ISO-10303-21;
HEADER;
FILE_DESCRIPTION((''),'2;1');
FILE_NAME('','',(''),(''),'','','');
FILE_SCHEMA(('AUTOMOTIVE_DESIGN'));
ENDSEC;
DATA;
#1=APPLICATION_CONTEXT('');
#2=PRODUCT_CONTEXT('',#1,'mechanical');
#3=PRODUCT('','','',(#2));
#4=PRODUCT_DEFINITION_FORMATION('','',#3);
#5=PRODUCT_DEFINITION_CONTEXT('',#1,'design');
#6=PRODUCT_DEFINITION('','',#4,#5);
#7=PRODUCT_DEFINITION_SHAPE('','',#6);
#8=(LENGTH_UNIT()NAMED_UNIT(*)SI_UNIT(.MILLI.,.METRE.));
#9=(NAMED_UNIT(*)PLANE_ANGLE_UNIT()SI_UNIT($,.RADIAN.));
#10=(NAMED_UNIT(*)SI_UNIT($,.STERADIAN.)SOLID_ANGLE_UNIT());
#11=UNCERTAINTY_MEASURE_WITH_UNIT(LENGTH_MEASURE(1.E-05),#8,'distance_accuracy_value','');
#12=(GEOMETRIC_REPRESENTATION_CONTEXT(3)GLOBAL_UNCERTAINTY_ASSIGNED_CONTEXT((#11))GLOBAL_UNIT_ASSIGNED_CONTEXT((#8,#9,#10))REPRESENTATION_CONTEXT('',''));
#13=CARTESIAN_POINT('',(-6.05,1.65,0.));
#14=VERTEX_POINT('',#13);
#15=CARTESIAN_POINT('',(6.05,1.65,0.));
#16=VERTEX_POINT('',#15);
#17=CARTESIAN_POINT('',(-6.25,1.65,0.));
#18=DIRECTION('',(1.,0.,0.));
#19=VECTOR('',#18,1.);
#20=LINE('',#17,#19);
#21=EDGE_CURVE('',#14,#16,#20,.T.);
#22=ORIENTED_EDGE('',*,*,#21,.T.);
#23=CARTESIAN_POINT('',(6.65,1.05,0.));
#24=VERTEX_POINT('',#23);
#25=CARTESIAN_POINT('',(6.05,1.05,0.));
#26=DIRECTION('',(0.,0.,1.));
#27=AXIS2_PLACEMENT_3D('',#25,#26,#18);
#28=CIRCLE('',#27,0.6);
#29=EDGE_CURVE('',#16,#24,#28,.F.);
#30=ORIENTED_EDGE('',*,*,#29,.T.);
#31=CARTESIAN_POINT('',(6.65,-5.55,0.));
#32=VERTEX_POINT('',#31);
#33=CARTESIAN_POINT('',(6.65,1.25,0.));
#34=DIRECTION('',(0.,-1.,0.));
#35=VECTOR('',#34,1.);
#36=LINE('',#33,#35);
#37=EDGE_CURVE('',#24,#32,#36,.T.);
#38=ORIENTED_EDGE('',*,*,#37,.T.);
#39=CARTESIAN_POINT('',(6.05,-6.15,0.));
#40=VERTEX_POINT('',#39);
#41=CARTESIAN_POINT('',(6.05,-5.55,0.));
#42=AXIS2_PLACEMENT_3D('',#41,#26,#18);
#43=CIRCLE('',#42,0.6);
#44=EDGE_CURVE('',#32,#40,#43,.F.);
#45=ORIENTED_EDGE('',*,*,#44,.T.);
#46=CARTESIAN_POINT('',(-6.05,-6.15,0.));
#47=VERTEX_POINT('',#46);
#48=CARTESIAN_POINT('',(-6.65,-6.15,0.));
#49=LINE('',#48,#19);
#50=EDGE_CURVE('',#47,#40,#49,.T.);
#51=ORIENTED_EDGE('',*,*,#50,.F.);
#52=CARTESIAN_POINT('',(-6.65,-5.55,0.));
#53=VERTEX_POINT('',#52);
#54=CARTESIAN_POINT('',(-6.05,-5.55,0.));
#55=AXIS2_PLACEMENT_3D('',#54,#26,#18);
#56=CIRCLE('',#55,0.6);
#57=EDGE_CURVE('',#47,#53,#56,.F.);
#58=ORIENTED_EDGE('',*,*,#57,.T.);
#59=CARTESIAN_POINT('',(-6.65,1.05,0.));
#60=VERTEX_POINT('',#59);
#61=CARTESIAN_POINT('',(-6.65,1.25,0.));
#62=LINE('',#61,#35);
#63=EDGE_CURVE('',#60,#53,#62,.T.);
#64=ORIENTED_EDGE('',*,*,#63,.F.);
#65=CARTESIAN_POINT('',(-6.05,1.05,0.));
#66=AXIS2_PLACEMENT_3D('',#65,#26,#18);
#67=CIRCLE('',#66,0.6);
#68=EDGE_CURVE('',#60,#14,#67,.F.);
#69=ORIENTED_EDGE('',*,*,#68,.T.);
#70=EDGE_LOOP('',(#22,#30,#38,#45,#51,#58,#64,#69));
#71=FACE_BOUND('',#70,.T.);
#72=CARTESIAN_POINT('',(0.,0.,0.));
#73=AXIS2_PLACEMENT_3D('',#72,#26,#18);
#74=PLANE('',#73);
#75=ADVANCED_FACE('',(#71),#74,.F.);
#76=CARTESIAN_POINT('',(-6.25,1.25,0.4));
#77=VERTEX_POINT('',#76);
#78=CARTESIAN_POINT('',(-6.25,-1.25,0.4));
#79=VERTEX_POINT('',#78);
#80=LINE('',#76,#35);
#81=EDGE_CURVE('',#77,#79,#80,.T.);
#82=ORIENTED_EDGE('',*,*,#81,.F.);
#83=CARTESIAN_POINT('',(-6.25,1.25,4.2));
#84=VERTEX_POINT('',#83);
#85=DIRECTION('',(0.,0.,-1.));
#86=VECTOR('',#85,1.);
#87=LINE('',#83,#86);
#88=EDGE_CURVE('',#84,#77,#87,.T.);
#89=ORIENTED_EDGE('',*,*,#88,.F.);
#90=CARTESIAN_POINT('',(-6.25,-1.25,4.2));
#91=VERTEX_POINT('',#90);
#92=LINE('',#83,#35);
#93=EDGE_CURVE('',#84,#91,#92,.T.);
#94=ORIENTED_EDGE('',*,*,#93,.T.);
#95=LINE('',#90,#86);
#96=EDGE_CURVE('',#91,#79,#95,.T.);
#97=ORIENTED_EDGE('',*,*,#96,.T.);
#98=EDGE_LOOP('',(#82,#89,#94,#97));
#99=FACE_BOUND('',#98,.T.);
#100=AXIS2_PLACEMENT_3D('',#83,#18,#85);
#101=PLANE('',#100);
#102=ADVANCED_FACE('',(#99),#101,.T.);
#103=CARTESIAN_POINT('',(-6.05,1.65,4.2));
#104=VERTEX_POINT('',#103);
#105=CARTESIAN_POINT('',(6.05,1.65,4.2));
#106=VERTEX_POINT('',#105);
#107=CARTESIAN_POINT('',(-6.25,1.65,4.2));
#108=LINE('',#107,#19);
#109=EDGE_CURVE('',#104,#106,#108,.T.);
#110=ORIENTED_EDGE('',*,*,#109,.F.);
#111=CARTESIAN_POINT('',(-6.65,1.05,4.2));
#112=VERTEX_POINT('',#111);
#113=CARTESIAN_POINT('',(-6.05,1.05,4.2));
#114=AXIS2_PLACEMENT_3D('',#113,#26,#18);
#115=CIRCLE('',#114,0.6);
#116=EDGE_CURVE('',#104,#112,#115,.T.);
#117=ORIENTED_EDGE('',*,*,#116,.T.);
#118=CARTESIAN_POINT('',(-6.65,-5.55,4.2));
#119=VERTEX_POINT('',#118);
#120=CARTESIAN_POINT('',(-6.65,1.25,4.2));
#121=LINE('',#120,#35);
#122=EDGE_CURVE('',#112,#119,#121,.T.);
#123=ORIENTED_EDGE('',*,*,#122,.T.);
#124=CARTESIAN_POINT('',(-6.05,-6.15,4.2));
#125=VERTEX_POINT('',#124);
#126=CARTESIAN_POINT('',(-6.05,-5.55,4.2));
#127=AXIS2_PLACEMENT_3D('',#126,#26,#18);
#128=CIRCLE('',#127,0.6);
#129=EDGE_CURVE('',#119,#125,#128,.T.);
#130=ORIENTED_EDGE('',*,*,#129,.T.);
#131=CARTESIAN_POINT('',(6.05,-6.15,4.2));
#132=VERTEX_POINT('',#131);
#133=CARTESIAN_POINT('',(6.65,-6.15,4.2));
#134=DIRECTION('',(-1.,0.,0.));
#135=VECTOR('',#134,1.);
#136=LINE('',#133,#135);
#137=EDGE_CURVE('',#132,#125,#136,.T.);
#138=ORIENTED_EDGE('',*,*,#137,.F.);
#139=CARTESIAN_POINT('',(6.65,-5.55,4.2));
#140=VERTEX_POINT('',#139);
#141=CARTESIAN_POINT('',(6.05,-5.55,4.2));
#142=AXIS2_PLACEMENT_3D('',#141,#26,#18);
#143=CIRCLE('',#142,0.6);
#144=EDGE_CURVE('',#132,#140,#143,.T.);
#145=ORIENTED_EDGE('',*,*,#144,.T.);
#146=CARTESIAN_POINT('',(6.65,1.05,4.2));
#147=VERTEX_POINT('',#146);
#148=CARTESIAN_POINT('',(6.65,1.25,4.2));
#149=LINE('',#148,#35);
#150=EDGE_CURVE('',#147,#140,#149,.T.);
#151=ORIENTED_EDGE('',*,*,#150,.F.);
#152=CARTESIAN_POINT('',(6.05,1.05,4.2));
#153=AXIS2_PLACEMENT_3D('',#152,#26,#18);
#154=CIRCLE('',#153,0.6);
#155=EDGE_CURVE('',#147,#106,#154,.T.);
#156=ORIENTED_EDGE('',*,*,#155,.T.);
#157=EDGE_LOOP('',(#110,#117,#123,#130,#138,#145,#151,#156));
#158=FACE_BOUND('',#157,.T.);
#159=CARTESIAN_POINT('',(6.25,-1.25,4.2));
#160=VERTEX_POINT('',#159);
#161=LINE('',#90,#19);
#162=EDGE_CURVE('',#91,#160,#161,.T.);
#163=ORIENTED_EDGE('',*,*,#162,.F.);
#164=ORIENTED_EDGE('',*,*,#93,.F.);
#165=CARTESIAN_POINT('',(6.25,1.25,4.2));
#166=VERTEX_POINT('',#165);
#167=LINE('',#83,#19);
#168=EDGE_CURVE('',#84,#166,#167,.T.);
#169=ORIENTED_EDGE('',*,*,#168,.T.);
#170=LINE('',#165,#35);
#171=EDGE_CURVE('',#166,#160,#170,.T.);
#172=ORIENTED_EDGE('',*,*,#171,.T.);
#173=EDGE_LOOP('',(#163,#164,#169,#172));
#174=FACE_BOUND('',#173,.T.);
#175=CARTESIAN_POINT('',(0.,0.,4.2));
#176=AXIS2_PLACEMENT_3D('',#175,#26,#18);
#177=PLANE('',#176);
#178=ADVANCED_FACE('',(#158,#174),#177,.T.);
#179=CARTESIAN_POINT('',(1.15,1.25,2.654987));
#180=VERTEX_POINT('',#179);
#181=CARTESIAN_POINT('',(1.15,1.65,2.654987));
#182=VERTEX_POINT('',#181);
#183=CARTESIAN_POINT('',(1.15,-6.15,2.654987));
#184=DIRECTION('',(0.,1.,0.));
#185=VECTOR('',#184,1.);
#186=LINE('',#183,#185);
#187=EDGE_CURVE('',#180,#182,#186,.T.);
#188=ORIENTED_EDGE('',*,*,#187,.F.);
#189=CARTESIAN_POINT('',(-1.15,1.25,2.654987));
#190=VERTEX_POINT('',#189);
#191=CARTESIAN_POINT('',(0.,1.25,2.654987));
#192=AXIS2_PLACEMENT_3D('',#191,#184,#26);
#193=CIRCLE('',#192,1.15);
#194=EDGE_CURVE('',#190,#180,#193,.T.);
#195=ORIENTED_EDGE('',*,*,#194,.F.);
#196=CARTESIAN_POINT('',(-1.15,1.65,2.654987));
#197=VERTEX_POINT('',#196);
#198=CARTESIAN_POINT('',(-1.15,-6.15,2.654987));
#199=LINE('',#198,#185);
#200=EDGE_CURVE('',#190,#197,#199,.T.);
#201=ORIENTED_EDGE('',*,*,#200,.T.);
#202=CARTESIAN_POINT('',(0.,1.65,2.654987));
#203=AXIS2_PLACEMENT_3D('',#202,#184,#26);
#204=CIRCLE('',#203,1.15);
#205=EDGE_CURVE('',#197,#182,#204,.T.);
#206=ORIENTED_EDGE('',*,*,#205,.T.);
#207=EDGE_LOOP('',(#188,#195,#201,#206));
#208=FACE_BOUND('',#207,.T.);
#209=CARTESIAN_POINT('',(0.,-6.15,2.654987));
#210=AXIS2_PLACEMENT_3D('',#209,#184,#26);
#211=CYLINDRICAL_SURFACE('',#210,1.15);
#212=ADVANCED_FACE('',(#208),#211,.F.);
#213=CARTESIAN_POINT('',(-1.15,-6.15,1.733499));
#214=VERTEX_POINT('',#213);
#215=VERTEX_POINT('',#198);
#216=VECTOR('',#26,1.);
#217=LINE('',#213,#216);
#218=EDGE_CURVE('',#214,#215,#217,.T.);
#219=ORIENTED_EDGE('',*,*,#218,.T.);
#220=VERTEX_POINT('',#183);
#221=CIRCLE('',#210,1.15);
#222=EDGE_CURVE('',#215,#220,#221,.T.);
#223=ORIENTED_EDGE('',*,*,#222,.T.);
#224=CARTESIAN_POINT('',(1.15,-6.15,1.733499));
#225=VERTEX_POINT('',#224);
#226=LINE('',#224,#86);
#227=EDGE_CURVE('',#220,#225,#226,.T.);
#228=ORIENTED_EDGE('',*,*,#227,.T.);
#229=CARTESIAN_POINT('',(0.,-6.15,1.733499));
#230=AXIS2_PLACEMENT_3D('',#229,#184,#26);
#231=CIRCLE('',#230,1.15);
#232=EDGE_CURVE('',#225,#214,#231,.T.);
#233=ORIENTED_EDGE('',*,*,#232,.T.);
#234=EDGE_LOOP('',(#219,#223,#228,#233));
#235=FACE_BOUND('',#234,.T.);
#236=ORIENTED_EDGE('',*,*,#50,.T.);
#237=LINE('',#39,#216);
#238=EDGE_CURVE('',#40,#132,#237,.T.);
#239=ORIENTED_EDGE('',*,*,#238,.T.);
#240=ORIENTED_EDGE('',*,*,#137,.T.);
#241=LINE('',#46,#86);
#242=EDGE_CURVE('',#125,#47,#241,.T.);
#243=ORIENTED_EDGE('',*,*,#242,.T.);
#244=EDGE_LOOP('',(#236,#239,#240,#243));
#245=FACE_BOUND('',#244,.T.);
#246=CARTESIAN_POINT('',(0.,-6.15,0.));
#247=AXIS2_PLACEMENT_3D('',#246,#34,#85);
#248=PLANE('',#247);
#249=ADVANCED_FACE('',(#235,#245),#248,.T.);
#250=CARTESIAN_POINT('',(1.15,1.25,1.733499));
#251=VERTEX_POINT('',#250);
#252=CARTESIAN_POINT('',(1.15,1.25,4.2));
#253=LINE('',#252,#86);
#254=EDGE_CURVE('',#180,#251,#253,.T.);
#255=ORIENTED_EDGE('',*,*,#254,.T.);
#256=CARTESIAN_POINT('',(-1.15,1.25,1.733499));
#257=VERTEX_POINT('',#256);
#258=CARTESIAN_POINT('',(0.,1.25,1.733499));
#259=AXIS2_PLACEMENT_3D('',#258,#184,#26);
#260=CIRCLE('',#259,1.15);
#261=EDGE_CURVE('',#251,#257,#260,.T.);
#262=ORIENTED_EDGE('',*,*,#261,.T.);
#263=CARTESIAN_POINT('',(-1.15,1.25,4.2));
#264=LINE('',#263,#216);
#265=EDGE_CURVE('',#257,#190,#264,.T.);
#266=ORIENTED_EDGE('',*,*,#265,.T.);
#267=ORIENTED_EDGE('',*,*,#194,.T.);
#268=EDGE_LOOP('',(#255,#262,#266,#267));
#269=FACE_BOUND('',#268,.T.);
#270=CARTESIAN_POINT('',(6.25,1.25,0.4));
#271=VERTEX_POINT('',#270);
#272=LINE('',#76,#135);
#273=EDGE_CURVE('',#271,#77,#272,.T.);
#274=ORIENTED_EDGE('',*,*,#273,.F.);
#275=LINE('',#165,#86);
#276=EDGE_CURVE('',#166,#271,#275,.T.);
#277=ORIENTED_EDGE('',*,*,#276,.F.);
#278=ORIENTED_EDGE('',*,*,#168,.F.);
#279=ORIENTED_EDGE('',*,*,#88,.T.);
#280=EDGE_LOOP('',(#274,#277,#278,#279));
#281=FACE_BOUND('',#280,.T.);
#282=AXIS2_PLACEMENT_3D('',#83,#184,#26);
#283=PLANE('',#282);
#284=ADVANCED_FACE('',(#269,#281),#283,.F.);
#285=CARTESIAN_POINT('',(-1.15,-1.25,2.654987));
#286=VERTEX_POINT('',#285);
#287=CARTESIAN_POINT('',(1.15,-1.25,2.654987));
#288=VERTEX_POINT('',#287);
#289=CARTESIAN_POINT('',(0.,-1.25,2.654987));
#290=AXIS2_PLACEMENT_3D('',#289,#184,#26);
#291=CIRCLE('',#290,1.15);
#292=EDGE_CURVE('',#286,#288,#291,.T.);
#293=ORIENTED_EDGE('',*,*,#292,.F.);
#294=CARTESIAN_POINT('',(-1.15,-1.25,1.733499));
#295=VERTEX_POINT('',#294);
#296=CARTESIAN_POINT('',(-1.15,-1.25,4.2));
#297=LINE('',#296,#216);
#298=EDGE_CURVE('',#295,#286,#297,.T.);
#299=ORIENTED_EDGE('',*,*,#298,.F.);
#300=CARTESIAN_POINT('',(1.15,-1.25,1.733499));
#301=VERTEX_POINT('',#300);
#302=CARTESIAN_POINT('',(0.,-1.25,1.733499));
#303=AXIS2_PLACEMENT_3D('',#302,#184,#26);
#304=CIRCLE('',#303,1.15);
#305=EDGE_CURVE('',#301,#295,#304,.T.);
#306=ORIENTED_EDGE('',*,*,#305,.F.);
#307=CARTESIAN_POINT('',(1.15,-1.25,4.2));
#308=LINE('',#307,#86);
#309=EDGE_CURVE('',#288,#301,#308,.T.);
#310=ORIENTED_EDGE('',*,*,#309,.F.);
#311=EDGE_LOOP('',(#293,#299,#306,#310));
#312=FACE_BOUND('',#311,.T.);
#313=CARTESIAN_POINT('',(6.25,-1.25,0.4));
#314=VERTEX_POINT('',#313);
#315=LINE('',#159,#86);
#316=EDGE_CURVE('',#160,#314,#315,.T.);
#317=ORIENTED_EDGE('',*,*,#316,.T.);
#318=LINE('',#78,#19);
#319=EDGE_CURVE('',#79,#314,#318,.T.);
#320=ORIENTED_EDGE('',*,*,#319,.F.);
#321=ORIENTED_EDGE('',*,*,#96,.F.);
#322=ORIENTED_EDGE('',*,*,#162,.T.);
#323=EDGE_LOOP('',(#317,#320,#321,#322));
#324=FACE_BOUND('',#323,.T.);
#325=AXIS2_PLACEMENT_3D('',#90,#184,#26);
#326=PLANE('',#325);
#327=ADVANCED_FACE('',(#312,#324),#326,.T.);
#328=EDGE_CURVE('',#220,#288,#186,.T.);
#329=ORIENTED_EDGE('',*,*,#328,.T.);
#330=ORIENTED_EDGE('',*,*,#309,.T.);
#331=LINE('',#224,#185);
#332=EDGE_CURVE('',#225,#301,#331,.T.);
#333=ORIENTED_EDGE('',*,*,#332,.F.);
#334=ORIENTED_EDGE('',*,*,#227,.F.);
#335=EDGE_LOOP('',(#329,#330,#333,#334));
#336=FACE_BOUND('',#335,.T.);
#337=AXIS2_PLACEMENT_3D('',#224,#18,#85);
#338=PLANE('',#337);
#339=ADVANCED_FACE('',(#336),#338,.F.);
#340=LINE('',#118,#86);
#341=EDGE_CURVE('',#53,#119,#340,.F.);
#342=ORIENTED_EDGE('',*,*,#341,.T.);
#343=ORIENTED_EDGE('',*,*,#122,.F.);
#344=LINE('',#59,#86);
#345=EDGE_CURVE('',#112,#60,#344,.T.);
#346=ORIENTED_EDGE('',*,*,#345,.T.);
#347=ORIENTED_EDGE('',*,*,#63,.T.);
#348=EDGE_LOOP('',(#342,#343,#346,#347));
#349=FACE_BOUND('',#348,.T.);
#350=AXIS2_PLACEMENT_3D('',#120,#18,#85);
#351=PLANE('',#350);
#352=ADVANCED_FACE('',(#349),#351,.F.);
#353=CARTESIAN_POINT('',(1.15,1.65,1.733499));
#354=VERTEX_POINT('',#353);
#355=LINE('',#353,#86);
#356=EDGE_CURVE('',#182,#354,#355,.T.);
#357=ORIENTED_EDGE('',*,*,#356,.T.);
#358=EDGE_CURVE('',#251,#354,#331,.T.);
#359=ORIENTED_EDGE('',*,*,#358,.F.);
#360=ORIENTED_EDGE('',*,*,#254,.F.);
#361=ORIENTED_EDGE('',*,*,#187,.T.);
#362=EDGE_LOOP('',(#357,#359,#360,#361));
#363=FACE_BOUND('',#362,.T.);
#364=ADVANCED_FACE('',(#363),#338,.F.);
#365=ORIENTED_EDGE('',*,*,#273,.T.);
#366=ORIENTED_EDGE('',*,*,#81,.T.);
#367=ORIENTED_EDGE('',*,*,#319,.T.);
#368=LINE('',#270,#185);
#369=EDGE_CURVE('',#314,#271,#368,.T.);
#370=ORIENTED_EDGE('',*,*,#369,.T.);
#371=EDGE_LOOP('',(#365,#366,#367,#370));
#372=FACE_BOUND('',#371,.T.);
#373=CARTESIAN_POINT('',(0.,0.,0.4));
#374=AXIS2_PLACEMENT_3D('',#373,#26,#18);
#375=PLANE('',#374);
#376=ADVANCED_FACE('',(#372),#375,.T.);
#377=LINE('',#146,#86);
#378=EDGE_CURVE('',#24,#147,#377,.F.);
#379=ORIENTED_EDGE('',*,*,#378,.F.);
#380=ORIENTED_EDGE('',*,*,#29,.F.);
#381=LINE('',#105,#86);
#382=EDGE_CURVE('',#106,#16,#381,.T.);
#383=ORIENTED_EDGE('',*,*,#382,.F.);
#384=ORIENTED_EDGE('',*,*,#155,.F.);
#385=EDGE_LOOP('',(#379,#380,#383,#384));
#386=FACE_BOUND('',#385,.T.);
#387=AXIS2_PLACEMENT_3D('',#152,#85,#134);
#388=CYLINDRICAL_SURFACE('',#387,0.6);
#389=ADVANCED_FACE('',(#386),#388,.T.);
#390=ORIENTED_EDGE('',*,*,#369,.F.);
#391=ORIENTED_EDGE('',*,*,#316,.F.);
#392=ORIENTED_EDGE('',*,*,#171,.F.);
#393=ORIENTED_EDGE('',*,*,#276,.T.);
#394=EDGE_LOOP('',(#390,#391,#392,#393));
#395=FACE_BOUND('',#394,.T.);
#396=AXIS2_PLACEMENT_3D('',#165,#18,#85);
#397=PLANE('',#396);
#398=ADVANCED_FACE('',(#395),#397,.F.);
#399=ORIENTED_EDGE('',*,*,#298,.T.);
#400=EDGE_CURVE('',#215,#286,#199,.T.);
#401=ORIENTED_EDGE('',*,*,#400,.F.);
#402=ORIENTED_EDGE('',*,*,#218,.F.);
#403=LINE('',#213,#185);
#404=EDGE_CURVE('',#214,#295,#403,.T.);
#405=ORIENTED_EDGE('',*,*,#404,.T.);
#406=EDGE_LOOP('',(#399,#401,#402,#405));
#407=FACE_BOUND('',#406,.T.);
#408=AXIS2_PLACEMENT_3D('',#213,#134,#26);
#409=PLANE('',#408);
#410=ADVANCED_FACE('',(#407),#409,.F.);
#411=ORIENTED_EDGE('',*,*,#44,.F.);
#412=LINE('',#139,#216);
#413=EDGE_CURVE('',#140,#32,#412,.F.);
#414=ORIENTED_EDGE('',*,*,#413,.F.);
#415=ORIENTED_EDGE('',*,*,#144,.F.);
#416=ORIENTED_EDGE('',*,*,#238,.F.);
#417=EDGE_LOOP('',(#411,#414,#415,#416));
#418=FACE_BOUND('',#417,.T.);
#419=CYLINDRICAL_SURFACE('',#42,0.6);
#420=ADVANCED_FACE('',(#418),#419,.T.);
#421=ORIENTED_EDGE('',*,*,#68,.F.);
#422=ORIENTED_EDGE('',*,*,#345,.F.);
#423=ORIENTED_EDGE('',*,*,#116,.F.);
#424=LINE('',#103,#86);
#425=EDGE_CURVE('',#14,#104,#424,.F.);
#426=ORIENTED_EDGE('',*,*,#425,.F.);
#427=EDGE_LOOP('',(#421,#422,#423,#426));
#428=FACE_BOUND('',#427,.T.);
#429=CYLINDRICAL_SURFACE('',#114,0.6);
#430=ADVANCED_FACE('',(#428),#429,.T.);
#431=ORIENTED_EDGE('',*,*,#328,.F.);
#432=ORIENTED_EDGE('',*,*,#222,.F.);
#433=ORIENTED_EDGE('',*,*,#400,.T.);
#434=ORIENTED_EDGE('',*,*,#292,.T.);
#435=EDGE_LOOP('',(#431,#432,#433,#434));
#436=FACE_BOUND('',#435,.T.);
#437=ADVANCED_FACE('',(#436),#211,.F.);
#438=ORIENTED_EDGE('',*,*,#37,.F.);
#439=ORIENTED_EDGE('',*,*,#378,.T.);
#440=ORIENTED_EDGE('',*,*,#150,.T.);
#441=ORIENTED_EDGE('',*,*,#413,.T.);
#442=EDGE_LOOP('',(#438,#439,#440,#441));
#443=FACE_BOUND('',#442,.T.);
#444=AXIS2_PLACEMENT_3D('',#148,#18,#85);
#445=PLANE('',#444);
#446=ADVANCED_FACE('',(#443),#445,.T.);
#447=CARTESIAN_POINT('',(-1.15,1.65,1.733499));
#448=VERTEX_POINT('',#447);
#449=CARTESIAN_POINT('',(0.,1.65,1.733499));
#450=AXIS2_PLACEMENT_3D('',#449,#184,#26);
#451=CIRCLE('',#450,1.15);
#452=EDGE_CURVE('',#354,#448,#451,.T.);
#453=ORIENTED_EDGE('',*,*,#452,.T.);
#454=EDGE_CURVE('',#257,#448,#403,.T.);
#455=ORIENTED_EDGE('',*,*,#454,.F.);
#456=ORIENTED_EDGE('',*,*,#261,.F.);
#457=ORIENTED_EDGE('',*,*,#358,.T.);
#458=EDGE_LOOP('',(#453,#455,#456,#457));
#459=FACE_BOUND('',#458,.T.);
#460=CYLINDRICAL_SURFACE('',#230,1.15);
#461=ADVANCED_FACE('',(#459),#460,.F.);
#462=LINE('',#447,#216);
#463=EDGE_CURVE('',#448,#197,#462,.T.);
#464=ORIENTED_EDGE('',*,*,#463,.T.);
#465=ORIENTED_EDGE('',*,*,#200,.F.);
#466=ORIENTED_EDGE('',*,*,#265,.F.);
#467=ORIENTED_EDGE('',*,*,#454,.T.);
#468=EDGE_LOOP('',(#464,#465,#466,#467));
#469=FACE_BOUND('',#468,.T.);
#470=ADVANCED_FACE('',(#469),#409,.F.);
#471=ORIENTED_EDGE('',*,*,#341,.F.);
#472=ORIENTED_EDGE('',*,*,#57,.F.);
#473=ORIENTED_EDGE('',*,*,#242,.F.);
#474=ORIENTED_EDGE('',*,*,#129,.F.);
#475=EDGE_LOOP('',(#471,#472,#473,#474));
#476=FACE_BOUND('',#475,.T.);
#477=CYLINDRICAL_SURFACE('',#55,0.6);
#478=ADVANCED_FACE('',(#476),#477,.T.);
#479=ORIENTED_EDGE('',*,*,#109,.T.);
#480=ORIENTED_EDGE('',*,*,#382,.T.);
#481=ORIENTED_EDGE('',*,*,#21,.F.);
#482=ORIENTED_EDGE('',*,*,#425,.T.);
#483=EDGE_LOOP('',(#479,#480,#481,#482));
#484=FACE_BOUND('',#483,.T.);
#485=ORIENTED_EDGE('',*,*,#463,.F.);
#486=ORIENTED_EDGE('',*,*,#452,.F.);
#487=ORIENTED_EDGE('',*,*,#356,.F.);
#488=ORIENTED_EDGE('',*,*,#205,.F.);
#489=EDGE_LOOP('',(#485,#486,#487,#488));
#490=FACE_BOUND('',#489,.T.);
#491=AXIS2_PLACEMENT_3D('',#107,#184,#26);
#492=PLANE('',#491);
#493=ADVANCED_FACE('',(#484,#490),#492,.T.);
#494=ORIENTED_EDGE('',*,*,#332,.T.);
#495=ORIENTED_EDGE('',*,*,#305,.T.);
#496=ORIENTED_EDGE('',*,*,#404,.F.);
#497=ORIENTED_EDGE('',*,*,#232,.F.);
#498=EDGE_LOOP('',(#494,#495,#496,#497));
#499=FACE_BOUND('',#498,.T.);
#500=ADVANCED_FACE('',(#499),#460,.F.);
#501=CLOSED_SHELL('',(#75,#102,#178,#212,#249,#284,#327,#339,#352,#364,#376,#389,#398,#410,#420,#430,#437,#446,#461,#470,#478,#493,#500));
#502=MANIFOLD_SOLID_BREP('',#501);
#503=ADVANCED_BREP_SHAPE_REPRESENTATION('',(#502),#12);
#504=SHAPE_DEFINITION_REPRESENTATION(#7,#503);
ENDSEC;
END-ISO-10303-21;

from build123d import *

# Parameters (mm, degrees)
SKETCH1_W           = 12.5
SKETCH1_H           = 2.5
BOSS_EXTRUDE1_DEPTH = 0.4
SKETCH1_3_W         = 13.3
SKETCH1_3_H         = 3.3
SKETCH1_3_W_2       = 12.5
SKETCH1_3_H_2       = 2.5
EXTRUDE_THIN1_DEPTH = 4.2
SKETCH2_W           = 13.3
SKETCH2_H           = 4.2
BOSS_EXTRUDE2_DEPTH = 4.5
CUT_EXTRUDE1_DEPTH  = 12.077116051
FILLET1_R           = 0.6


with BuildPart() as part:
    # Sketch1 → Boss-Extrude1 (new body)
    with BuildSketch(Plane.XY):
        Rectangle(SKETCH1_W, SKETCH1_H)
    extrude(amount=BOSS_EXTRUDE1_DEPTH)

    # Sketch1<3> → Extrude-Thin1 (add)
    with BuildSketch(Plane.XY):
        Rectangle(SKETCH1_3_W, SKETCH1_3_H)
        Rectangle(SKETCH1_3_W_2, SKETCH1_3_H_2, mode=Mode.SUBTRACT)
    extrude(amount=EXTRUDE_THIN1_DEPTH)

    # Sketch2 → Boss-Extrude2 (add)
    with BuildSketch(Plane.XZ.offset(1.65)):
        with Locations((0, 2.1)):
            Rectangle(SKETCH2_W, SKETCH2_H)
    extrude(amount=BOSS_EXTRUDE2_DEPTH)

    # Sketch3 → Cut-Extrude1 (cut, through all)
    with BuildSketch(Plane(origin=(0, 1.65, 0), x_dir=(1, 0, 0), z_dir=(0, 1, 0))):
        with BuildLine():
            Line((1.15, -1.733499425), (1.15, -2.654986585))
            ThreePointArc((1.15, -2.654986585), (0, -3.804986585), (-1.15, -2.654986585))
            Line((-1.15, -2.654986585), (-1.15, -1.733499425))
            ThreePointArc((-1.15, -1.733499425), (0, -0.583499425), (1.15, -1.733499425))
        make_face()
    extrude(amount=-CUT_EXTRUDE1_DEPTH, mode=Mode.SUBTRACT)

    # Fillet1
    fillet1_edges = [part.edges().sort_by_distance(p)[0] for p in [
        (-6.65, 1.65, 2.1),
        (6.65, 1.65, 2.1),
        (-6.65, -6.15, 2.1),
        (6.65, -6.15, 2.1),
    ]]
    fillet(fillet1_edges, radius=FILLET1_R)


solid = part.part
